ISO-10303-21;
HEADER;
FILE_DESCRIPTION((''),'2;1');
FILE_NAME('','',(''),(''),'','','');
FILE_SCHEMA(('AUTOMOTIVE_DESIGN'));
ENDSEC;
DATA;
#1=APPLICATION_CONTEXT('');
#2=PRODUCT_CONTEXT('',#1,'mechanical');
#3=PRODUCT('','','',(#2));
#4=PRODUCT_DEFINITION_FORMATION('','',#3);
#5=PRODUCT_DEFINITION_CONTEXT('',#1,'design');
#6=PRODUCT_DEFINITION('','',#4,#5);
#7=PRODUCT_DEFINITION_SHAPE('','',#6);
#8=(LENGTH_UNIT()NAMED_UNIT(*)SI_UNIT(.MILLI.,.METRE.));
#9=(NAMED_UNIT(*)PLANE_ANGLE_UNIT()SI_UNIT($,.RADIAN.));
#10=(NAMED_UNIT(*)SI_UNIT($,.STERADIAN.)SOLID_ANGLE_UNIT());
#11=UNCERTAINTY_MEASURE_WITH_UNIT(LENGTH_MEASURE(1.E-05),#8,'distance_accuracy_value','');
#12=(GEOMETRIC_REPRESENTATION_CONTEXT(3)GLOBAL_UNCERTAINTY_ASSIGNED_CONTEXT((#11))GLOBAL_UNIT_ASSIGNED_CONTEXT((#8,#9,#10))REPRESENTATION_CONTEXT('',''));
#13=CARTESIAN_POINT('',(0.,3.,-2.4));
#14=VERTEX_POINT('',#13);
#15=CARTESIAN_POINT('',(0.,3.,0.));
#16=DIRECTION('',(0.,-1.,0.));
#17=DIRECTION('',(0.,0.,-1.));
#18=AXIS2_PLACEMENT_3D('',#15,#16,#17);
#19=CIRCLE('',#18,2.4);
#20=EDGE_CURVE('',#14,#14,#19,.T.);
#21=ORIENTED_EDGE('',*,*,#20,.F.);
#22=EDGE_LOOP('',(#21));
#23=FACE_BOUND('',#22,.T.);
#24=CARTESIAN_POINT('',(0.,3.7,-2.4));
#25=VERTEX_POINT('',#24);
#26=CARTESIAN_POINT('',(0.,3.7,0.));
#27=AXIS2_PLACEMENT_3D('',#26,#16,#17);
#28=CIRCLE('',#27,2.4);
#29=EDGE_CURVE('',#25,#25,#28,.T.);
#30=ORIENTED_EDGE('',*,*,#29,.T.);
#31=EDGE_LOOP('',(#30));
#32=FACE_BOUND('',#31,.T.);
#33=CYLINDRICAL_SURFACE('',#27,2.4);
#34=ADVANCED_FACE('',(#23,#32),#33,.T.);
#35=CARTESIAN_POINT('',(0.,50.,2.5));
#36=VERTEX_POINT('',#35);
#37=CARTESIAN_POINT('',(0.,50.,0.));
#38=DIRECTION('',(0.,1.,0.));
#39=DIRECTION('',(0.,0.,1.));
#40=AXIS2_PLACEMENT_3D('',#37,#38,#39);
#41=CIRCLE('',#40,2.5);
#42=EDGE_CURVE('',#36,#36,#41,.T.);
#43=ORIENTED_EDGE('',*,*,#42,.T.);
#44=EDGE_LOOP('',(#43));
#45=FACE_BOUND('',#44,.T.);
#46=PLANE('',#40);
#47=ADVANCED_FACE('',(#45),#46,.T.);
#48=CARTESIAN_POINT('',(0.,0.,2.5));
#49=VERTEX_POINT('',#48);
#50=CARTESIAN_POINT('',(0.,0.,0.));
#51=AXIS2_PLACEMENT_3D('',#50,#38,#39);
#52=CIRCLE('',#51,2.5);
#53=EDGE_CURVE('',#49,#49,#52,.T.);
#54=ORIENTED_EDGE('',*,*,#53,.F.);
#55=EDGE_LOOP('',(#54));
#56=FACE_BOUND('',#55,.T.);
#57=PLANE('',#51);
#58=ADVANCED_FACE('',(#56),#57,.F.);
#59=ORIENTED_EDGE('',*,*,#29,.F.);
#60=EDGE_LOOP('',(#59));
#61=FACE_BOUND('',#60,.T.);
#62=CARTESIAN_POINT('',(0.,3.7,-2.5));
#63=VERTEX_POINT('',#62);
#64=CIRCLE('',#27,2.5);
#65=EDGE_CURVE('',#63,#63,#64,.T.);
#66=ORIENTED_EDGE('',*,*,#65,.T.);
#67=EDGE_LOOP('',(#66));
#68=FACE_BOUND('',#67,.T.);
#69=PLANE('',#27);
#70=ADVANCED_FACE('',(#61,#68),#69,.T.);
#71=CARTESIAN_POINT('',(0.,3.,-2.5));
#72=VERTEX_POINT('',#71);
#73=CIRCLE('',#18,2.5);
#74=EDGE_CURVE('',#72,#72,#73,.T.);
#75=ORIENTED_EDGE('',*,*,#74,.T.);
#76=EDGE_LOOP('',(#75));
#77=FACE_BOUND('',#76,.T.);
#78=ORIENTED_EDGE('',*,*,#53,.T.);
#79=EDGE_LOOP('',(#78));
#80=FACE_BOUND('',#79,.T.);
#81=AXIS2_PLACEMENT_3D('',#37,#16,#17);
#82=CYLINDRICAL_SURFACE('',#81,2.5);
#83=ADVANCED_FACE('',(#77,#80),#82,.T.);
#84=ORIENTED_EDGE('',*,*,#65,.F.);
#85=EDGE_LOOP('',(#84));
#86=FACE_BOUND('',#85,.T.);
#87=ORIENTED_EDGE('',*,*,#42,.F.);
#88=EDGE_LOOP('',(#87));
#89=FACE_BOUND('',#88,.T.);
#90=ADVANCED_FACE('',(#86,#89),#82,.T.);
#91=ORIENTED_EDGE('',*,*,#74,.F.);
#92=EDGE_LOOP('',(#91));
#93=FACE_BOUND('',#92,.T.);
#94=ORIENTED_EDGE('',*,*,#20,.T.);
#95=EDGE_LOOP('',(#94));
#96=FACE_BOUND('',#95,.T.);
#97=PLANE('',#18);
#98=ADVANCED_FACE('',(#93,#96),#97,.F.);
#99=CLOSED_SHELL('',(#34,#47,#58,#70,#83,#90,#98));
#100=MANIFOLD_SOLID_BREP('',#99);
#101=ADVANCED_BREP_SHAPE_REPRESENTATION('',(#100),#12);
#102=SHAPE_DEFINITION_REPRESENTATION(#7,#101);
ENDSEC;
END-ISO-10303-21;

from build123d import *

# Parameters (mm, degrees)
SKETCH1_R           = 2.5
BOSS_EXTRUDE1_DEPTH = 50
SKETCH2_R           = 2.5
SKETCH2_R_2         = 2.4
CUT_EXTRUDE1_DEPTH  = 0.7


with BuildPart() as part:
    # Sketch1 → Boss-Extrude1 (new body)
    with BuildSketch(Plane(origin=(0, 0, 0), x_dir=(1, 0, 0), z_dir=(0, 1, 0))):
        with Locations(Location((0, 0, 0), (0, 0, 270))):
            Circle(SKETCH1_R)
    extrude(amount=BOSS_EXTRUDE1_DEPTH)

    # Sketch2 → Cut-Extrude1 (cut)
    with BuildSketch(Plane(origin=(0, 3.000000096, 0), x_dir=(-1, 0, 0), z_dir=(0, -1, 0))):
        with Locations(Location((0, 0, 0), (0, 0, 90))):
            Circle(SKETCH2_R)
        with Locations(Location((0, 0, 0), (0, 0, 90))):
            Circle(SKETCH2_R_2, mode=Mode.SUBTRACT)
    extrude(amount=-CUT_EXTRUDE1_DEPTH, mode=Mode.SUBTRACT)


solid = part.part
